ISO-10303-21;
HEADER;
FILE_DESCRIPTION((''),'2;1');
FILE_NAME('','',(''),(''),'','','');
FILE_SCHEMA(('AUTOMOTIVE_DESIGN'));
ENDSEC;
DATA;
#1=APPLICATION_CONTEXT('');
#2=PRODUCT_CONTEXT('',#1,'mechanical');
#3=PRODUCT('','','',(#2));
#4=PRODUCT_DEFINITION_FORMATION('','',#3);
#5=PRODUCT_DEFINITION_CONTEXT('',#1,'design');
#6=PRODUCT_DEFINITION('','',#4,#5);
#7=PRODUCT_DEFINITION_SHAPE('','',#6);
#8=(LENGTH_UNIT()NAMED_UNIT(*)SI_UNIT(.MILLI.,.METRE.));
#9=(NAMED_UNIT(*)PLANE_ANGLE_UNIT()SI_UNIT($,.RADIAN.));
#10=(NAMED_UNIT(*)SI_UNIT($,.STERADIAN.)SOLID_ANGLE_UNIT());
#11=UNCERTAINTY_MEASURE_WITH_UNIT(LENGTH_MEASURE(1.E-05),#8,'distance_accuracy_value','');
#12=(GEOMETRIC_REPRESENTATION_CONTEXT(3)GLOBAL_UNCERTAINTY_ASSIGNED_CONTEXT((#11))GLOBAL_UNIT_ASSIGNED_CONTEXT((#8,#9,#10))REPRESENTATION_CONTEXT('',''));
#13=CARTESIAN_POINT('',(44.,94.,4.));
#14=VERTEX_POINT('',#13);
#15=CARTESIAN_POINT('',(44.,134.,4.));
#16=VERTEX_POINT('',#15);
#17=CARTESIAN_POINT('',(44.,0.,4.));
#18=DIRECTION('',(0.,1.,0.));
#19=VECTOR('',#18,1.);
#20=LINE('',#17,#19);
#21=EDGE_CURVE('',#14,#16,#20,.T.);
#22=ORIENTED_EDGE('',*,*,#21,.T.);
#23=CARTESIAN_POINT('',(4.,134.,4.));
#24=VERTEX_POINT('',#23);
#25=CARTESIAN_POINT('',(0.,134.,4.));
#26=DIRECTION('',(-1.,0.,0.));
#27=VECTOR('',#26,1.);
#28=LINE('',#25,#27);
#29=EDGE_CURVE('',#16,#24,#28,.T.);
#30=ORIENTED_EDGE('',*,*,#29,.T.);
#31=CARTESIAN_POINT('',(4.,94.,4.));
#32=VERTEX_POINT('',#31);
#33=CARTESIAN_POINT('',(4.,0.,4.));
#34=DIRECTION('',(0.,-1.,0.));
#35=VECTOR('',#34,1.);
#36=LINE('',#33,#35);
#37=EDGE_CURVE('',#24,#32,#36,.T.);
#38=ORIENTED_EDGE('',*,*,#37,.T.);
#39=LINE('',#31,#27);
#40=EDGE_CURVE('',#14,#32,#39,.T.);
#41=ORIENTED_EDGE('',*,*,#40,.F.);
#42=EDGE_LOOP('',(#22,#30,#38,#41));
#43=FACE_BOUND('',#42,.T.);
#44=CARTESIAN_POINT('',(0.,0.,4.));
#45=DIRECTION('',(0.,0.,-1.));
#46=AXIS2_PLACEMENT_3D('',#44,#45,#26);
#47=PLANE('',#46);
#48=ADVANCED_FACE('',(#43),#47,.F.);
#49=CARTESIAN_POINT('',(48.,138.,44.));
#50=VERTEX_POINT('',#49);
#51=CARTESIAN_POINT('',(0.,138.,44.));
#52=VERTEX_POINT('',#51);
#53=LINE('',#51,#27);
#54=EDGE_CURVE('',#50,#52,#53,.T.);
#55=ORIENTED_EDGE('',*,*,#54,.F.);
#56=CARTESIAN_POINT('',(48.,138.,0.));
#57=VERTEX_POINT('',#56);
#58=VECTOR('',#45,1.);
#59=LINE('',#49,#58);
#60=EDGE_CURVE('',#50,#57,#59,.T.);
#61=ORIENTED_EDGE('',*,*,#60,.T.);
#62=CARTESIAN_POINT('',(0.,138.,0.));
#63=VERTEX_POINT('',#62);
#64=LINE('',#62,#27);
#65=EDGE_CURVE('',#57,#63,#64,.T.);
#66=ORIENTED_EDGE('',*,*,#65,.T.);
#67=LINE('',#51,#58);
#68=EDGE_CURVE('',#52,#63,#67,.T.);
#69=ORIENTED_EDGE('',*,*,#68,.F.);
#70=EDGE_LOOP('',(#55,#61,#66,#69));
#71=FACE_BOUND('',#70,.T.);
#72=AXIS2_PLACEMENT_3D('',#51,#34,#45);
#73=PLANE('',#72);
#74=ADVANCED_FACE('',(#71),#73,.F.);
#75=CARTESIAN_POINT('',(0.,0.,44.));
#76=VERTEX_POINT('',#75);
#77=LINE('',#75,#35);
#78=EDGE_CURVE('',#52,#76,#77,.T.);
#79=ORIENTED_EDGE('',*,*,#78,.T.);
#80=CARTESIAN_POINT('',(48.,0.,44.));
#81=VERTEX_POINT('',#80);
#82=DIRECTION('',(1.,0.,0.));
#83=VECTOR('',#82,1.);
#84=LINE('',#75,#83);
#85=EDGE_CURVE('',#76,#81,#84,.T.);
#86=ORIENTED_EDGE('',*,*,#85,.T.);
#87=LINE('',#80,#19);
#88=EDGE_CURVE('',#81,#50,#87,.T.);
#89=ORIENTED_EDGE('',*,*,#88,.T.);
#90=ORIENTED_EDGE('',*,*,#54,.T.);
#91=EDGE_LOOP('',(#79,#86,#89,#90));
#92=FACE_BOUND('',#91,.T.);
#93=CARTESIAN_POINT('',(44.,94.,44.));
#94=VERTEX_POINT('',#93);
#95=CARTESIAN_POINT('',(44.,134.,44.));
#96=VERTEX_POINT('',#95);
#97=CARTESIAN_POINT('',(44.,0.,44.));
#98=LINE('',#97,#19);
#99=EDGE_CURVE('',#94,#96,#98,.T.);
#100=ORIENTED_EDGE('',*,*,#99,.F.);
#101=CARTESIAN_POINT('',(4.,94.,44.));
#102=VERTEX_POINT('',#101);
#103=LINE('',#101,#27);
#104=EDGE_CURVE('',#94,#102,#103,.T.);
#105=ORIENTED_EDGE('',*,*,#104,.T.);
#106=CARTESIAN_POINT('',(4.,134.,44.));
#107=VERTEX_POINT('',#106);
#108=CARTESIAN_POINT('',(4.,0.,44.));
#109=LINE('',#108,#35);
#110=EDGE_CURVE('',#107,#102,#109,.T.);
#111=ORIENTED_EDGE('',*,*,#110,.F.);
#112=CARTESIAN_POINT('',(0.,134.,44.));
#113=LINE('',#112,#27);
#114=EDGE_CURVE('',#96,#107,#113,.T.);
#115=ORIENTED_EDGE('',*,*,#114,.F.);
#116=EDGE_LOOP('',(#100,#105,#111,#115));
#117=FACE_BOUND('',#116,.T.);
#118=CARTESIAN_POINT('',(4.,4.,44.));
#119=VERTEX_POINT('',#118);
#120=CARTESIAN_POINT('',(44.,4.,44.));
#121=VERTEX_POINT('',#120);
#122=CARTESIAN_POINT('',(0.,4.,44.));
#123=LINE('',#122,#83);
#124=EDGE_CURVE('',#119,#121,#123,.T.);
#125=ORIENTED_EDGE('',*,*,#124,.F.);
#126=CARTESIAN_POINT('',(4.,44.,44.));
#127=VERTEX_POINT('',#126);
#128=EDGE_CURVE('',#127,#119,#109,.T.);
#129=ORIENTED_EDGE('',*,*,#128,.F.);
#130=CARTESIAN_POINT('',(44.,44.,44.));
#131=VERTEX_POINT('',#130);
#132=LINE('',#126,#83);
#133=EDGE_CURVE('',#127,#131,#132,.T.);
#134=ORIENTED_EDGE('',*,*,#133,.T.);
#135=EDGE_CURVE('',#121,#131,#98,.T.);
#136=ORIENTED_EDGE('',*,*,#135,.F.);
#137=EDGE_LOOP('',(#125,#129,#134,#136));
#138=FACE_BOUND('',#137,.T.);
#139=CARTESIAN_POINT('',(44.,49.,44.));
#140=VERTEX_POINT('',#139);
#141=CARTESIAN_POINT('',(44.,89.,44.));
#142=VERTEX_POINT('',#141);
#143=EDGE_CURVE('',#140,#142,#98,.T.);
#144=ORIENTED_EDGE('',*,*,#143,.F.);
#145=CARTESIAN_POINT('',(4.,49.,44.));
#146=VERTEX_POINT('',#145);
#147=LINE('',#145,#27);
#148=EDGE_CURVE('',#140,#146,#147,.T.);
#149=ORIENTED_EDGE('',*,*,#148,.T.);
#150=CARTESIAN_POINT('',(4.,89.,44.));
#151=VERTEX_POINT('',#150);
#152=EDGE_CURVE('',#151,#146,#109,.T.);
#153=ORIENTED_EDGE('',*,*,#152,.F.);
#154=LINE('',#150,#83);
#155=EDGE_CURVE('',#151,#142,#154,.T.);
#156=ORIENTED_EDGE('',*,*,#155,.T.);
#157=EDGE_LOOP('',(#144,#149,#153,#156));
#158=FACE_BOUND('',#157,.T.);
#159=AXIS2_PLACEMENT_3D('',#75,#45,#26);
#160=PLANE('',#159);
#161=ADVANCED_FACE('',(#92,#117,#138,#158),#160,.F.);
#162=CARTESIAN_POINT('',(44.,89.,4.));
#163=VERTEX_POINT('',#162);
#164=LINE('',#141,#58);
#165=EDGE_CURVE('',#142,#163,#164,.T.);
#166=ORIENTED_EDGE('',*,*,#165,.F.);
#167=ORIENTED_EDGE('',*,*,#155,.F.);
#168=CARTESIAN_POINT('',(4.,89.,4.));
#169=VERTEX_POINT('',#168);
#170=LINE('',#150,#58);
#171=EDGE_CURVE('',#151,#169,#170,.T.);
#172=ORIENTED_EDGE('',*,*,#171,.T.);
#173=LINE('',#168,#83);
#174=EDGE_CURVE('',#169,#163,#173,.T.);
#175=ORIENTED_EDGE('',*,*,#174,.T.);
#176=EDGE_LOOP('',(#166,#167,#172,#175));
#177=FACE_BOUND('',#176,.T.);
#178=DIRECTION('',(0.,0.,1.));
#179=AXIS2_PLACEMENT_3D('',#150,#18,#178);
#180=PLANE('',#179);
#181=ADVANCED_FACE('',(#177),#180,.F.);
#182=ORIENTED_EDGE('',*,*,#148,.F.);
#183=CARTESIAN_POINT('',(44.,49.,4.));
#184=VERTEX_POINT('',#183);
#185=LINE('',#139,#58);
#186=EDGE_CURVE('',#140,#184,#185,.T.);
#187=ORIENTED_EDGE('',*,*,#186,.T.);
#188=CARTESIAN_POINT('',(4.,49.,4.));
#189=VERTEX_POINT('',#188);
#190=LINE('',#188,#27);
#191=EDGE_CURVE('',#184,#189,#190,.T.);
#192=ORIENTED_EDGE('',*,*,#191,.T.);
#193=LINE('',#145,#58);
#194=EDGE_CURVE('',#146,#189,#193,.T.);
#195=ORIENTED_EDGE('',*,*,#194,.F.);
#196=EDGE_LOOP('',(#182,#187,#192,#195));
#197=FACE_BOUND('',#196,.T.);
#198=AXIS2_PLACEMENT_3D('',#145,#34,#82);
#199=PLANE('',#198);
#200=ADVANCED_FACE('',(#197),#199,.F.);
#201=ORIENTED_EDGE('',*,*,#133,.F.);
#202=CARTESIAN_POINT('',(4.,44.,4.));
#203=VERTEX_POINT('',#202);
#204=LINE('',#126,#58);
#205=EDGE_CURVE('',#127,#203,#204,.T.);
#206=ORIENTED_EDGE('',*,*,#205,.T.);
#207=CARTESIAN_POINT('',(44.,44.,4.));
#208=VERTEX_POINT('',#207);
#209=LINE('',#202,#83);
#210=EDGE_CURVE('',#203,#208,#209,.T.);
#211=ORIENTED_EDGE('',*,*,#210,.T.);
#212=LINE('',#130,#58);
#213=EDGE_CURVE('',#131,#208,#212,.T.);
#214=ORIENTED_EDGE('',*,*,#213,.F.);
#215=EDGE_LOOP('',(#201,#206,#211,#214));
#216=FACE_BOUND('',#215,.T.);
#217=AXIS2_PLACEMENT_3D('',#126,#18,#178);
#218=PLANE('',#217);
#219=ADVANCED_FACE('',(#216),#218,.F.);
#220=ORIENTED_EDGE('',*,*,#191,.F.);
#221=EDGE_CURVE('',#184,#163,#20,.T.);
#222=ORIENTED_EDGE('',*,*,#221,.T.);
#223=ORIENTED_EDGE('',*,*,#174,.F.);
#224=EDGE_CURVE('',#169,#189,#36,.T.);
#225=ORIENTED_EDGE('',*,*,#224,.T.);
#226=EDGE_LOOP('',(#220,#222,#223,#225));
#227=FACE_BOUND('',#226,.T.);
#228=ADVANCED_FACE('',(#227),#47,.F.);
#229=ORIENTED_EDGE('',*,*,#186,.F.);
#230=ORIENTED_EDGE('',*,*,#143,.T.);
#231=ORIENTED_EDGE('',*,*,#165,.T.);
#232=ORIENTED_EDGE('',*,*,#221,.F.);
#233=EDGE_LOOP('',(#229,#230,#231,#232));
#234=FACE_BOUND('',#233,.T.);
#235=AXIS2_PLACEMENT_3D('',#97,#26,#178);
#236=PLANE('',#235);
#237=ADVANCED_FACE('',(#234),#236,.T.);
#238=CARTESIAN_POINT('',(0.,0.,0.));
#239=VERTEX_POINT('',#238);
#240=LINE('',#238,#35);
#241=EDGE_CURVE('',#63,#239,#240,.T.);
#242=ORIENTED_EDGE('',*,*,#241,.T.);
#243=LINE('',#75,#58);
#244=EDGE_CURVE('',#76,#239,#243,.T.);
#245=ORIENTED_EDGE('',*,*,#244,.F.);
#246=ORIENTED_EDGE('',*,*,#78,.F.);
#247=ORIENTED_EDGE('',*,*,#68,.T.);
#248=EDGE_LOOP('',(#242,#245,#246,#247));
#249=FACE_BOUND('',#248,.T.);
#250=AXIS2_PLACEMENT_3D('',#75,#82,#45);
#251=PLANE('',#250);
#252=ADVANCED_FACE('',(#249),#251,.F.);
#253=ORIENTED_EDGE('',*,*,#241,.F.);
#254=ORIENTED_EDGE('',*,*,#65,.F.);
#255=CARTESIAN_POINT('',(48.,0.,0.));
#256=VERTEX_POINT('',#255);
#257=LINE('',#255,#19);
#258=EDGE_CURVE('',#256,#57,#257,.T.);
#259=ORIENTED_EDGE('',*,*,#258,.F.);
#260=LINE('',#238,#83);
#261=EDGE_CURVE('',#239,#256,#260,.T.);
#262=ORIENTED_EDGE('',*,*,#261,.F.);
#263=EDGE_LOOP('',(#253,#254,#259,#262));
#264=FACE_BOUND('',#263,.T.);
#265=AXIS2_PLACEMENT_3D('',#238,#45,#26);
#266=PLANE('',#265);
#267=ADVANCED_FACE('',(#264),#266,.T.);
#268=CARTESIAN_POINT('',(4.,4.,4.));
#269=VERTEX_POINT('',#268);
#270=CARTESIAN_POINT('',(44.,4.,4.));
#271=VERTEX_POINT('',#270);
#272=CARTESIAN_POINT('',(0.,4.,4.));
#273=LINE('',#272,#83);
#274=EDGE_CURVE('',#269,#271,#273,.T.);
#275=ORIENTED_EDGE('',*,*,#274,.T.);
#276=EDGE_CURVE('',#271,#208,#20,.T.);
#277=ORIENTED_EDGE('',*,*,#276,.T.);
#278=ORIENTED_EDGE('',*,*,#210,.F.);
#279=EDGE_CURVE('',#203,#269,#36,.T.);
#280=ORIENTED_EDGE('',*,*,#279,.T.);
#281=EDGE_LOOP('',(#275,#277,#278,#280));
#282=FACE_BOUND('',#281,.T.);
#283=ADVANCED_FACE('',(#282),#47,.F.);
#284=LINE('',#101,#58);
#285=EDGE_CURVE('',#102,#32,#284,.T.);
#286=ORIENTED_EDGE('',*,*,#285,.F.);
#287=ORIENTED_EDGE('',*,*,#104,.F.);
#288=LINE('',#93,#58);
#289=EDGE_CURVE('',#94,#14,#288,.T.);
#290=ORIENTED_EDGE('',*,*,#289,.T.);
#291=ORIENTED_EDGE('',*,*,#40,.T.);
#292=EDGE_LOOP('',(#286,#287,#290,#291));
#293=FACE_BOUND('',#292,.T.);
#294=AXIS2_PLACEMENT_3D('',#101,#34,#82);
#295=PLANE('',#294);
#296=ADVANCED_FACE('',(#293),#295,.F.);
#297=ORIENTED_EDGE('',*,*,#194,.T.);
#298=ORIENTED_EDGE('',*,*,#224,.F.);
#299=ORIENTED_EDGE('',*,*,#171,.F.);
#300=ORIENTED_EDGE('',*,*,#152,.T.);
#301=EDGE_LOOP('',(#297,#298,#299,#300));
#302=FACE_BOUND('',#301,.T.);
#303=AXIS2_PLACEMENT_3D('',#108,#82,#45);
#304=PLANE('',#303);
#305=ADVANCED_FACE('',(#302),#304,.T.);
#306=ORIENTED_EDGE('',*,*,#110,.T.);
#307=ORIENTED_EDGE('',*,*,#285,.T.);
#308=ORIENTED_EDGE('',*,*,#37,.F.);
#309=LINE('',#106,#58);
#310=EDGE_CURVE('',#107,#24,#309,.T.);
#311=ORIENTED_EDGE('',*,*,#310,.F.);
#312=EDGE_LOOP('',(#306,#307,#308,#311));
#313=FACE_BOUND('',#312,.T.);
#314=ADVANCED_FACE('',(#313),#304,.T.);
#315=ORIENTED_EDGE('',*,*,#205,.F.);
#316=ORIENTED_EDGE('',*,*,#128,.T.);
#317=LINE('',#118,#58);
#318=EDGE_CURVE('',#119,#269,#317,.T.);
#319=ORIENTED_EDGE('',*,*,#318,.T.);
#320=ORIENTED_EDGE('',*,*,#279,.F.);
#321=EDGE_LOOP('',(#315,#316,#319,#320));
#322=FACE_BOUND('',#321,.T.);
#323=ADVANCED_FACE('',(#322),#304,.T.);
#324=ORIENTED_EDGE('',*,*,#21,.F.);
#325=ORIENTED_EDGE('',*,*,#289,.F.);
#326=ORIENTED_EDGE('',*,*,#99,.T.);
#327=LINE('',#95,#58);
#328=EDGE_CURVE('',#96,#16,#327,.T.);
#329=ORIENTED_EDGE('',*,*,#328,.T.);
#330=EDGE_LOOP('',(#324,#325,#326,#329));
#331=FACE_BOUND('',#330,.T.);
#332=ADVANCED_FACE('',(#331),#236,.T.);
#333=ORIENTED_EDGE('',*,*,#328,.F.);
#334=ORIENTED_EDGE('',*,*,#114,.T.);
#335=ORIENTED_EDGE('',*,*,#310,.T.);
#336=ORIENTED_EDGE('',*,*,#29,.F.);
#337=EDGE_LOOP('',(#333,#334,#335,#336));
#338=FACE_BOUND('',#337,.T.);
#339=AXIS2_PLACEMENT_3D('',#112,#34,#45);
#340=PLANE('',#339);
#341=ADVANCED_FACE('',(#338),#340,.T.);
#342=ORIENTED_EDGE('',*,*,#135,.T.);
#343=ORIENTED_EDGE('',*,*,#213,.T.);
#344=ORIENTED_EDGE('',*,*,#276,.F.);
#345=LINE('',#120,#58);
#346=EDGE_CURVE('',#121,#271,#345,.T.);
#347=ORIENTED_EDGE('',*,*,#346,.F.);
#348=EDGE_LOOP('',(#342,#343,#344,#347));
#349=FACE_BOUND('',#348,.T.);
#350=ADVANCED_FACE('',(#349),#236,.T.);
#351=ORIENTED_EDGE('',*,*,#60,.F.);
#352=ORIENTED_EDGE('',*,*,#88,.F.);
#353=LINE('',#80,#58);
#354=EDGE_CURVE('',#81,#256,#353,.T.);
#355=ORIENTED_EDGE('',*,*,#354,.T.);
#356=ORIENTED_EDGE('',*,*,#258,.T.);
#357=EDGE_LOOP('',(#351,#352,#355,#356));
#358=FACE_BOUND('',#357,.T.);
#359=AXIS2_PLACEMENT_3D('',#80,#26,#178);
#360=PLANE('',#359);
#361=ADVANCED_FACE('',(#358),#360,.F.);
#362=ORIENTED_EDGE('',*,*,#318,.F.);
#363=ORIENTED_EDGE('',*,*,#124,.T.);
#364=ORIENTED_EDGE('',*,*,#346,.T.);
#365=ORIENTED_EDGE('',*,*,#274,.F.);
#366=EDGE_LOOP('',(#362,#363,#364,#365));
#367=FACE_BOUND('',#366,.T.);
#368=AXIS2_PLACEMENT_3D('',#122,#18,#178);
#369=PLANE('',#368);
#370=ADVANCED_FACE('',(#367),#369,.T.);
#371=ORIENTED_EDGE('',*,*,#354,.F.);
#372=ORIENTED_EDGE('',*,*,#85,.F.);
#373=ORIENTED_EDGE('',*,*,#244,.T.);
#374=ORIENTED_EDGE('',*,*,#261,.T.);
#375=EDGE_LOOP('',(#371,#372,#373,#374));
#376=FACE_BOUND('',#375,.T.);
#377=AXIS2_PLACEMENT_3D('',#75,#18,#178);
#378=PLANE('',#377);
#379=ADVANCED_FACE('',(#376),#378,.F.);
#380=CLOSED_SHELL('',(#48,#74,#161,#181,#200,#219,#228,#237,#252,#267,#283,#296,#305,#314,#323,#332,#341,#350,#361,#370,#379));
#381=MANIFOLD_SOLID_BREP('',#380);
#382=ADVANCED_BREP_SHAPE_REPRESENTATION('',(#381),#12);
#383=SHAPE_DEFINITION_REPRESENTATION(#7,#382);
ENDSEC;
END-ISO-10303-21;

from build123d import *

# Parameters (mm, degrees)
CROQUIS1_W              = 48
CROQUIS1_H              = 138
SALIENTE_EXTRUIR1_DEPTH = 44
VACIADO1_T              = -4
CROQUIS2_W              = 40
CROQUIS2_H              = 5
SALIENTE_EXTRUIR2_DEPTH = 40


with BuildPart() as part:
    # Croquis1 → Saliente-Extruir1 (new body)
    with BuildSketch(Plane.XY):
        with Locations((24, 69)):
            Rectangle(CROQUIS1_W, CROQUIS1_H)
    extrude(amount=SALIENTE_EXTRUIR1_DEPTH)

    # Vaciado1
    vaciado1_openings = [part.faces().sort_by_distance(p)[0] for p in [
        (24, 69, 44),
    ]]
    offset(amount=VACIADO1_T, openings=vaciado1_openings, kind=Kind.INTERSECTION)

    # Croquis2 → Saliente-Extruir2 (add, through all)
    with BuildSketch(Plane.XY.offset(4)):
        with Locations((24, 46.5)):
            Rectangle(CROQUIS2_W, CROQUIS2_H)
        with Locations((24, 91.5)):
            Rectangle(CROQUIS2_W, CROQUIS2_H)
    extrude(amount=SALIENTE_EXTRUIR2_DEPTH)


solid = part.part
